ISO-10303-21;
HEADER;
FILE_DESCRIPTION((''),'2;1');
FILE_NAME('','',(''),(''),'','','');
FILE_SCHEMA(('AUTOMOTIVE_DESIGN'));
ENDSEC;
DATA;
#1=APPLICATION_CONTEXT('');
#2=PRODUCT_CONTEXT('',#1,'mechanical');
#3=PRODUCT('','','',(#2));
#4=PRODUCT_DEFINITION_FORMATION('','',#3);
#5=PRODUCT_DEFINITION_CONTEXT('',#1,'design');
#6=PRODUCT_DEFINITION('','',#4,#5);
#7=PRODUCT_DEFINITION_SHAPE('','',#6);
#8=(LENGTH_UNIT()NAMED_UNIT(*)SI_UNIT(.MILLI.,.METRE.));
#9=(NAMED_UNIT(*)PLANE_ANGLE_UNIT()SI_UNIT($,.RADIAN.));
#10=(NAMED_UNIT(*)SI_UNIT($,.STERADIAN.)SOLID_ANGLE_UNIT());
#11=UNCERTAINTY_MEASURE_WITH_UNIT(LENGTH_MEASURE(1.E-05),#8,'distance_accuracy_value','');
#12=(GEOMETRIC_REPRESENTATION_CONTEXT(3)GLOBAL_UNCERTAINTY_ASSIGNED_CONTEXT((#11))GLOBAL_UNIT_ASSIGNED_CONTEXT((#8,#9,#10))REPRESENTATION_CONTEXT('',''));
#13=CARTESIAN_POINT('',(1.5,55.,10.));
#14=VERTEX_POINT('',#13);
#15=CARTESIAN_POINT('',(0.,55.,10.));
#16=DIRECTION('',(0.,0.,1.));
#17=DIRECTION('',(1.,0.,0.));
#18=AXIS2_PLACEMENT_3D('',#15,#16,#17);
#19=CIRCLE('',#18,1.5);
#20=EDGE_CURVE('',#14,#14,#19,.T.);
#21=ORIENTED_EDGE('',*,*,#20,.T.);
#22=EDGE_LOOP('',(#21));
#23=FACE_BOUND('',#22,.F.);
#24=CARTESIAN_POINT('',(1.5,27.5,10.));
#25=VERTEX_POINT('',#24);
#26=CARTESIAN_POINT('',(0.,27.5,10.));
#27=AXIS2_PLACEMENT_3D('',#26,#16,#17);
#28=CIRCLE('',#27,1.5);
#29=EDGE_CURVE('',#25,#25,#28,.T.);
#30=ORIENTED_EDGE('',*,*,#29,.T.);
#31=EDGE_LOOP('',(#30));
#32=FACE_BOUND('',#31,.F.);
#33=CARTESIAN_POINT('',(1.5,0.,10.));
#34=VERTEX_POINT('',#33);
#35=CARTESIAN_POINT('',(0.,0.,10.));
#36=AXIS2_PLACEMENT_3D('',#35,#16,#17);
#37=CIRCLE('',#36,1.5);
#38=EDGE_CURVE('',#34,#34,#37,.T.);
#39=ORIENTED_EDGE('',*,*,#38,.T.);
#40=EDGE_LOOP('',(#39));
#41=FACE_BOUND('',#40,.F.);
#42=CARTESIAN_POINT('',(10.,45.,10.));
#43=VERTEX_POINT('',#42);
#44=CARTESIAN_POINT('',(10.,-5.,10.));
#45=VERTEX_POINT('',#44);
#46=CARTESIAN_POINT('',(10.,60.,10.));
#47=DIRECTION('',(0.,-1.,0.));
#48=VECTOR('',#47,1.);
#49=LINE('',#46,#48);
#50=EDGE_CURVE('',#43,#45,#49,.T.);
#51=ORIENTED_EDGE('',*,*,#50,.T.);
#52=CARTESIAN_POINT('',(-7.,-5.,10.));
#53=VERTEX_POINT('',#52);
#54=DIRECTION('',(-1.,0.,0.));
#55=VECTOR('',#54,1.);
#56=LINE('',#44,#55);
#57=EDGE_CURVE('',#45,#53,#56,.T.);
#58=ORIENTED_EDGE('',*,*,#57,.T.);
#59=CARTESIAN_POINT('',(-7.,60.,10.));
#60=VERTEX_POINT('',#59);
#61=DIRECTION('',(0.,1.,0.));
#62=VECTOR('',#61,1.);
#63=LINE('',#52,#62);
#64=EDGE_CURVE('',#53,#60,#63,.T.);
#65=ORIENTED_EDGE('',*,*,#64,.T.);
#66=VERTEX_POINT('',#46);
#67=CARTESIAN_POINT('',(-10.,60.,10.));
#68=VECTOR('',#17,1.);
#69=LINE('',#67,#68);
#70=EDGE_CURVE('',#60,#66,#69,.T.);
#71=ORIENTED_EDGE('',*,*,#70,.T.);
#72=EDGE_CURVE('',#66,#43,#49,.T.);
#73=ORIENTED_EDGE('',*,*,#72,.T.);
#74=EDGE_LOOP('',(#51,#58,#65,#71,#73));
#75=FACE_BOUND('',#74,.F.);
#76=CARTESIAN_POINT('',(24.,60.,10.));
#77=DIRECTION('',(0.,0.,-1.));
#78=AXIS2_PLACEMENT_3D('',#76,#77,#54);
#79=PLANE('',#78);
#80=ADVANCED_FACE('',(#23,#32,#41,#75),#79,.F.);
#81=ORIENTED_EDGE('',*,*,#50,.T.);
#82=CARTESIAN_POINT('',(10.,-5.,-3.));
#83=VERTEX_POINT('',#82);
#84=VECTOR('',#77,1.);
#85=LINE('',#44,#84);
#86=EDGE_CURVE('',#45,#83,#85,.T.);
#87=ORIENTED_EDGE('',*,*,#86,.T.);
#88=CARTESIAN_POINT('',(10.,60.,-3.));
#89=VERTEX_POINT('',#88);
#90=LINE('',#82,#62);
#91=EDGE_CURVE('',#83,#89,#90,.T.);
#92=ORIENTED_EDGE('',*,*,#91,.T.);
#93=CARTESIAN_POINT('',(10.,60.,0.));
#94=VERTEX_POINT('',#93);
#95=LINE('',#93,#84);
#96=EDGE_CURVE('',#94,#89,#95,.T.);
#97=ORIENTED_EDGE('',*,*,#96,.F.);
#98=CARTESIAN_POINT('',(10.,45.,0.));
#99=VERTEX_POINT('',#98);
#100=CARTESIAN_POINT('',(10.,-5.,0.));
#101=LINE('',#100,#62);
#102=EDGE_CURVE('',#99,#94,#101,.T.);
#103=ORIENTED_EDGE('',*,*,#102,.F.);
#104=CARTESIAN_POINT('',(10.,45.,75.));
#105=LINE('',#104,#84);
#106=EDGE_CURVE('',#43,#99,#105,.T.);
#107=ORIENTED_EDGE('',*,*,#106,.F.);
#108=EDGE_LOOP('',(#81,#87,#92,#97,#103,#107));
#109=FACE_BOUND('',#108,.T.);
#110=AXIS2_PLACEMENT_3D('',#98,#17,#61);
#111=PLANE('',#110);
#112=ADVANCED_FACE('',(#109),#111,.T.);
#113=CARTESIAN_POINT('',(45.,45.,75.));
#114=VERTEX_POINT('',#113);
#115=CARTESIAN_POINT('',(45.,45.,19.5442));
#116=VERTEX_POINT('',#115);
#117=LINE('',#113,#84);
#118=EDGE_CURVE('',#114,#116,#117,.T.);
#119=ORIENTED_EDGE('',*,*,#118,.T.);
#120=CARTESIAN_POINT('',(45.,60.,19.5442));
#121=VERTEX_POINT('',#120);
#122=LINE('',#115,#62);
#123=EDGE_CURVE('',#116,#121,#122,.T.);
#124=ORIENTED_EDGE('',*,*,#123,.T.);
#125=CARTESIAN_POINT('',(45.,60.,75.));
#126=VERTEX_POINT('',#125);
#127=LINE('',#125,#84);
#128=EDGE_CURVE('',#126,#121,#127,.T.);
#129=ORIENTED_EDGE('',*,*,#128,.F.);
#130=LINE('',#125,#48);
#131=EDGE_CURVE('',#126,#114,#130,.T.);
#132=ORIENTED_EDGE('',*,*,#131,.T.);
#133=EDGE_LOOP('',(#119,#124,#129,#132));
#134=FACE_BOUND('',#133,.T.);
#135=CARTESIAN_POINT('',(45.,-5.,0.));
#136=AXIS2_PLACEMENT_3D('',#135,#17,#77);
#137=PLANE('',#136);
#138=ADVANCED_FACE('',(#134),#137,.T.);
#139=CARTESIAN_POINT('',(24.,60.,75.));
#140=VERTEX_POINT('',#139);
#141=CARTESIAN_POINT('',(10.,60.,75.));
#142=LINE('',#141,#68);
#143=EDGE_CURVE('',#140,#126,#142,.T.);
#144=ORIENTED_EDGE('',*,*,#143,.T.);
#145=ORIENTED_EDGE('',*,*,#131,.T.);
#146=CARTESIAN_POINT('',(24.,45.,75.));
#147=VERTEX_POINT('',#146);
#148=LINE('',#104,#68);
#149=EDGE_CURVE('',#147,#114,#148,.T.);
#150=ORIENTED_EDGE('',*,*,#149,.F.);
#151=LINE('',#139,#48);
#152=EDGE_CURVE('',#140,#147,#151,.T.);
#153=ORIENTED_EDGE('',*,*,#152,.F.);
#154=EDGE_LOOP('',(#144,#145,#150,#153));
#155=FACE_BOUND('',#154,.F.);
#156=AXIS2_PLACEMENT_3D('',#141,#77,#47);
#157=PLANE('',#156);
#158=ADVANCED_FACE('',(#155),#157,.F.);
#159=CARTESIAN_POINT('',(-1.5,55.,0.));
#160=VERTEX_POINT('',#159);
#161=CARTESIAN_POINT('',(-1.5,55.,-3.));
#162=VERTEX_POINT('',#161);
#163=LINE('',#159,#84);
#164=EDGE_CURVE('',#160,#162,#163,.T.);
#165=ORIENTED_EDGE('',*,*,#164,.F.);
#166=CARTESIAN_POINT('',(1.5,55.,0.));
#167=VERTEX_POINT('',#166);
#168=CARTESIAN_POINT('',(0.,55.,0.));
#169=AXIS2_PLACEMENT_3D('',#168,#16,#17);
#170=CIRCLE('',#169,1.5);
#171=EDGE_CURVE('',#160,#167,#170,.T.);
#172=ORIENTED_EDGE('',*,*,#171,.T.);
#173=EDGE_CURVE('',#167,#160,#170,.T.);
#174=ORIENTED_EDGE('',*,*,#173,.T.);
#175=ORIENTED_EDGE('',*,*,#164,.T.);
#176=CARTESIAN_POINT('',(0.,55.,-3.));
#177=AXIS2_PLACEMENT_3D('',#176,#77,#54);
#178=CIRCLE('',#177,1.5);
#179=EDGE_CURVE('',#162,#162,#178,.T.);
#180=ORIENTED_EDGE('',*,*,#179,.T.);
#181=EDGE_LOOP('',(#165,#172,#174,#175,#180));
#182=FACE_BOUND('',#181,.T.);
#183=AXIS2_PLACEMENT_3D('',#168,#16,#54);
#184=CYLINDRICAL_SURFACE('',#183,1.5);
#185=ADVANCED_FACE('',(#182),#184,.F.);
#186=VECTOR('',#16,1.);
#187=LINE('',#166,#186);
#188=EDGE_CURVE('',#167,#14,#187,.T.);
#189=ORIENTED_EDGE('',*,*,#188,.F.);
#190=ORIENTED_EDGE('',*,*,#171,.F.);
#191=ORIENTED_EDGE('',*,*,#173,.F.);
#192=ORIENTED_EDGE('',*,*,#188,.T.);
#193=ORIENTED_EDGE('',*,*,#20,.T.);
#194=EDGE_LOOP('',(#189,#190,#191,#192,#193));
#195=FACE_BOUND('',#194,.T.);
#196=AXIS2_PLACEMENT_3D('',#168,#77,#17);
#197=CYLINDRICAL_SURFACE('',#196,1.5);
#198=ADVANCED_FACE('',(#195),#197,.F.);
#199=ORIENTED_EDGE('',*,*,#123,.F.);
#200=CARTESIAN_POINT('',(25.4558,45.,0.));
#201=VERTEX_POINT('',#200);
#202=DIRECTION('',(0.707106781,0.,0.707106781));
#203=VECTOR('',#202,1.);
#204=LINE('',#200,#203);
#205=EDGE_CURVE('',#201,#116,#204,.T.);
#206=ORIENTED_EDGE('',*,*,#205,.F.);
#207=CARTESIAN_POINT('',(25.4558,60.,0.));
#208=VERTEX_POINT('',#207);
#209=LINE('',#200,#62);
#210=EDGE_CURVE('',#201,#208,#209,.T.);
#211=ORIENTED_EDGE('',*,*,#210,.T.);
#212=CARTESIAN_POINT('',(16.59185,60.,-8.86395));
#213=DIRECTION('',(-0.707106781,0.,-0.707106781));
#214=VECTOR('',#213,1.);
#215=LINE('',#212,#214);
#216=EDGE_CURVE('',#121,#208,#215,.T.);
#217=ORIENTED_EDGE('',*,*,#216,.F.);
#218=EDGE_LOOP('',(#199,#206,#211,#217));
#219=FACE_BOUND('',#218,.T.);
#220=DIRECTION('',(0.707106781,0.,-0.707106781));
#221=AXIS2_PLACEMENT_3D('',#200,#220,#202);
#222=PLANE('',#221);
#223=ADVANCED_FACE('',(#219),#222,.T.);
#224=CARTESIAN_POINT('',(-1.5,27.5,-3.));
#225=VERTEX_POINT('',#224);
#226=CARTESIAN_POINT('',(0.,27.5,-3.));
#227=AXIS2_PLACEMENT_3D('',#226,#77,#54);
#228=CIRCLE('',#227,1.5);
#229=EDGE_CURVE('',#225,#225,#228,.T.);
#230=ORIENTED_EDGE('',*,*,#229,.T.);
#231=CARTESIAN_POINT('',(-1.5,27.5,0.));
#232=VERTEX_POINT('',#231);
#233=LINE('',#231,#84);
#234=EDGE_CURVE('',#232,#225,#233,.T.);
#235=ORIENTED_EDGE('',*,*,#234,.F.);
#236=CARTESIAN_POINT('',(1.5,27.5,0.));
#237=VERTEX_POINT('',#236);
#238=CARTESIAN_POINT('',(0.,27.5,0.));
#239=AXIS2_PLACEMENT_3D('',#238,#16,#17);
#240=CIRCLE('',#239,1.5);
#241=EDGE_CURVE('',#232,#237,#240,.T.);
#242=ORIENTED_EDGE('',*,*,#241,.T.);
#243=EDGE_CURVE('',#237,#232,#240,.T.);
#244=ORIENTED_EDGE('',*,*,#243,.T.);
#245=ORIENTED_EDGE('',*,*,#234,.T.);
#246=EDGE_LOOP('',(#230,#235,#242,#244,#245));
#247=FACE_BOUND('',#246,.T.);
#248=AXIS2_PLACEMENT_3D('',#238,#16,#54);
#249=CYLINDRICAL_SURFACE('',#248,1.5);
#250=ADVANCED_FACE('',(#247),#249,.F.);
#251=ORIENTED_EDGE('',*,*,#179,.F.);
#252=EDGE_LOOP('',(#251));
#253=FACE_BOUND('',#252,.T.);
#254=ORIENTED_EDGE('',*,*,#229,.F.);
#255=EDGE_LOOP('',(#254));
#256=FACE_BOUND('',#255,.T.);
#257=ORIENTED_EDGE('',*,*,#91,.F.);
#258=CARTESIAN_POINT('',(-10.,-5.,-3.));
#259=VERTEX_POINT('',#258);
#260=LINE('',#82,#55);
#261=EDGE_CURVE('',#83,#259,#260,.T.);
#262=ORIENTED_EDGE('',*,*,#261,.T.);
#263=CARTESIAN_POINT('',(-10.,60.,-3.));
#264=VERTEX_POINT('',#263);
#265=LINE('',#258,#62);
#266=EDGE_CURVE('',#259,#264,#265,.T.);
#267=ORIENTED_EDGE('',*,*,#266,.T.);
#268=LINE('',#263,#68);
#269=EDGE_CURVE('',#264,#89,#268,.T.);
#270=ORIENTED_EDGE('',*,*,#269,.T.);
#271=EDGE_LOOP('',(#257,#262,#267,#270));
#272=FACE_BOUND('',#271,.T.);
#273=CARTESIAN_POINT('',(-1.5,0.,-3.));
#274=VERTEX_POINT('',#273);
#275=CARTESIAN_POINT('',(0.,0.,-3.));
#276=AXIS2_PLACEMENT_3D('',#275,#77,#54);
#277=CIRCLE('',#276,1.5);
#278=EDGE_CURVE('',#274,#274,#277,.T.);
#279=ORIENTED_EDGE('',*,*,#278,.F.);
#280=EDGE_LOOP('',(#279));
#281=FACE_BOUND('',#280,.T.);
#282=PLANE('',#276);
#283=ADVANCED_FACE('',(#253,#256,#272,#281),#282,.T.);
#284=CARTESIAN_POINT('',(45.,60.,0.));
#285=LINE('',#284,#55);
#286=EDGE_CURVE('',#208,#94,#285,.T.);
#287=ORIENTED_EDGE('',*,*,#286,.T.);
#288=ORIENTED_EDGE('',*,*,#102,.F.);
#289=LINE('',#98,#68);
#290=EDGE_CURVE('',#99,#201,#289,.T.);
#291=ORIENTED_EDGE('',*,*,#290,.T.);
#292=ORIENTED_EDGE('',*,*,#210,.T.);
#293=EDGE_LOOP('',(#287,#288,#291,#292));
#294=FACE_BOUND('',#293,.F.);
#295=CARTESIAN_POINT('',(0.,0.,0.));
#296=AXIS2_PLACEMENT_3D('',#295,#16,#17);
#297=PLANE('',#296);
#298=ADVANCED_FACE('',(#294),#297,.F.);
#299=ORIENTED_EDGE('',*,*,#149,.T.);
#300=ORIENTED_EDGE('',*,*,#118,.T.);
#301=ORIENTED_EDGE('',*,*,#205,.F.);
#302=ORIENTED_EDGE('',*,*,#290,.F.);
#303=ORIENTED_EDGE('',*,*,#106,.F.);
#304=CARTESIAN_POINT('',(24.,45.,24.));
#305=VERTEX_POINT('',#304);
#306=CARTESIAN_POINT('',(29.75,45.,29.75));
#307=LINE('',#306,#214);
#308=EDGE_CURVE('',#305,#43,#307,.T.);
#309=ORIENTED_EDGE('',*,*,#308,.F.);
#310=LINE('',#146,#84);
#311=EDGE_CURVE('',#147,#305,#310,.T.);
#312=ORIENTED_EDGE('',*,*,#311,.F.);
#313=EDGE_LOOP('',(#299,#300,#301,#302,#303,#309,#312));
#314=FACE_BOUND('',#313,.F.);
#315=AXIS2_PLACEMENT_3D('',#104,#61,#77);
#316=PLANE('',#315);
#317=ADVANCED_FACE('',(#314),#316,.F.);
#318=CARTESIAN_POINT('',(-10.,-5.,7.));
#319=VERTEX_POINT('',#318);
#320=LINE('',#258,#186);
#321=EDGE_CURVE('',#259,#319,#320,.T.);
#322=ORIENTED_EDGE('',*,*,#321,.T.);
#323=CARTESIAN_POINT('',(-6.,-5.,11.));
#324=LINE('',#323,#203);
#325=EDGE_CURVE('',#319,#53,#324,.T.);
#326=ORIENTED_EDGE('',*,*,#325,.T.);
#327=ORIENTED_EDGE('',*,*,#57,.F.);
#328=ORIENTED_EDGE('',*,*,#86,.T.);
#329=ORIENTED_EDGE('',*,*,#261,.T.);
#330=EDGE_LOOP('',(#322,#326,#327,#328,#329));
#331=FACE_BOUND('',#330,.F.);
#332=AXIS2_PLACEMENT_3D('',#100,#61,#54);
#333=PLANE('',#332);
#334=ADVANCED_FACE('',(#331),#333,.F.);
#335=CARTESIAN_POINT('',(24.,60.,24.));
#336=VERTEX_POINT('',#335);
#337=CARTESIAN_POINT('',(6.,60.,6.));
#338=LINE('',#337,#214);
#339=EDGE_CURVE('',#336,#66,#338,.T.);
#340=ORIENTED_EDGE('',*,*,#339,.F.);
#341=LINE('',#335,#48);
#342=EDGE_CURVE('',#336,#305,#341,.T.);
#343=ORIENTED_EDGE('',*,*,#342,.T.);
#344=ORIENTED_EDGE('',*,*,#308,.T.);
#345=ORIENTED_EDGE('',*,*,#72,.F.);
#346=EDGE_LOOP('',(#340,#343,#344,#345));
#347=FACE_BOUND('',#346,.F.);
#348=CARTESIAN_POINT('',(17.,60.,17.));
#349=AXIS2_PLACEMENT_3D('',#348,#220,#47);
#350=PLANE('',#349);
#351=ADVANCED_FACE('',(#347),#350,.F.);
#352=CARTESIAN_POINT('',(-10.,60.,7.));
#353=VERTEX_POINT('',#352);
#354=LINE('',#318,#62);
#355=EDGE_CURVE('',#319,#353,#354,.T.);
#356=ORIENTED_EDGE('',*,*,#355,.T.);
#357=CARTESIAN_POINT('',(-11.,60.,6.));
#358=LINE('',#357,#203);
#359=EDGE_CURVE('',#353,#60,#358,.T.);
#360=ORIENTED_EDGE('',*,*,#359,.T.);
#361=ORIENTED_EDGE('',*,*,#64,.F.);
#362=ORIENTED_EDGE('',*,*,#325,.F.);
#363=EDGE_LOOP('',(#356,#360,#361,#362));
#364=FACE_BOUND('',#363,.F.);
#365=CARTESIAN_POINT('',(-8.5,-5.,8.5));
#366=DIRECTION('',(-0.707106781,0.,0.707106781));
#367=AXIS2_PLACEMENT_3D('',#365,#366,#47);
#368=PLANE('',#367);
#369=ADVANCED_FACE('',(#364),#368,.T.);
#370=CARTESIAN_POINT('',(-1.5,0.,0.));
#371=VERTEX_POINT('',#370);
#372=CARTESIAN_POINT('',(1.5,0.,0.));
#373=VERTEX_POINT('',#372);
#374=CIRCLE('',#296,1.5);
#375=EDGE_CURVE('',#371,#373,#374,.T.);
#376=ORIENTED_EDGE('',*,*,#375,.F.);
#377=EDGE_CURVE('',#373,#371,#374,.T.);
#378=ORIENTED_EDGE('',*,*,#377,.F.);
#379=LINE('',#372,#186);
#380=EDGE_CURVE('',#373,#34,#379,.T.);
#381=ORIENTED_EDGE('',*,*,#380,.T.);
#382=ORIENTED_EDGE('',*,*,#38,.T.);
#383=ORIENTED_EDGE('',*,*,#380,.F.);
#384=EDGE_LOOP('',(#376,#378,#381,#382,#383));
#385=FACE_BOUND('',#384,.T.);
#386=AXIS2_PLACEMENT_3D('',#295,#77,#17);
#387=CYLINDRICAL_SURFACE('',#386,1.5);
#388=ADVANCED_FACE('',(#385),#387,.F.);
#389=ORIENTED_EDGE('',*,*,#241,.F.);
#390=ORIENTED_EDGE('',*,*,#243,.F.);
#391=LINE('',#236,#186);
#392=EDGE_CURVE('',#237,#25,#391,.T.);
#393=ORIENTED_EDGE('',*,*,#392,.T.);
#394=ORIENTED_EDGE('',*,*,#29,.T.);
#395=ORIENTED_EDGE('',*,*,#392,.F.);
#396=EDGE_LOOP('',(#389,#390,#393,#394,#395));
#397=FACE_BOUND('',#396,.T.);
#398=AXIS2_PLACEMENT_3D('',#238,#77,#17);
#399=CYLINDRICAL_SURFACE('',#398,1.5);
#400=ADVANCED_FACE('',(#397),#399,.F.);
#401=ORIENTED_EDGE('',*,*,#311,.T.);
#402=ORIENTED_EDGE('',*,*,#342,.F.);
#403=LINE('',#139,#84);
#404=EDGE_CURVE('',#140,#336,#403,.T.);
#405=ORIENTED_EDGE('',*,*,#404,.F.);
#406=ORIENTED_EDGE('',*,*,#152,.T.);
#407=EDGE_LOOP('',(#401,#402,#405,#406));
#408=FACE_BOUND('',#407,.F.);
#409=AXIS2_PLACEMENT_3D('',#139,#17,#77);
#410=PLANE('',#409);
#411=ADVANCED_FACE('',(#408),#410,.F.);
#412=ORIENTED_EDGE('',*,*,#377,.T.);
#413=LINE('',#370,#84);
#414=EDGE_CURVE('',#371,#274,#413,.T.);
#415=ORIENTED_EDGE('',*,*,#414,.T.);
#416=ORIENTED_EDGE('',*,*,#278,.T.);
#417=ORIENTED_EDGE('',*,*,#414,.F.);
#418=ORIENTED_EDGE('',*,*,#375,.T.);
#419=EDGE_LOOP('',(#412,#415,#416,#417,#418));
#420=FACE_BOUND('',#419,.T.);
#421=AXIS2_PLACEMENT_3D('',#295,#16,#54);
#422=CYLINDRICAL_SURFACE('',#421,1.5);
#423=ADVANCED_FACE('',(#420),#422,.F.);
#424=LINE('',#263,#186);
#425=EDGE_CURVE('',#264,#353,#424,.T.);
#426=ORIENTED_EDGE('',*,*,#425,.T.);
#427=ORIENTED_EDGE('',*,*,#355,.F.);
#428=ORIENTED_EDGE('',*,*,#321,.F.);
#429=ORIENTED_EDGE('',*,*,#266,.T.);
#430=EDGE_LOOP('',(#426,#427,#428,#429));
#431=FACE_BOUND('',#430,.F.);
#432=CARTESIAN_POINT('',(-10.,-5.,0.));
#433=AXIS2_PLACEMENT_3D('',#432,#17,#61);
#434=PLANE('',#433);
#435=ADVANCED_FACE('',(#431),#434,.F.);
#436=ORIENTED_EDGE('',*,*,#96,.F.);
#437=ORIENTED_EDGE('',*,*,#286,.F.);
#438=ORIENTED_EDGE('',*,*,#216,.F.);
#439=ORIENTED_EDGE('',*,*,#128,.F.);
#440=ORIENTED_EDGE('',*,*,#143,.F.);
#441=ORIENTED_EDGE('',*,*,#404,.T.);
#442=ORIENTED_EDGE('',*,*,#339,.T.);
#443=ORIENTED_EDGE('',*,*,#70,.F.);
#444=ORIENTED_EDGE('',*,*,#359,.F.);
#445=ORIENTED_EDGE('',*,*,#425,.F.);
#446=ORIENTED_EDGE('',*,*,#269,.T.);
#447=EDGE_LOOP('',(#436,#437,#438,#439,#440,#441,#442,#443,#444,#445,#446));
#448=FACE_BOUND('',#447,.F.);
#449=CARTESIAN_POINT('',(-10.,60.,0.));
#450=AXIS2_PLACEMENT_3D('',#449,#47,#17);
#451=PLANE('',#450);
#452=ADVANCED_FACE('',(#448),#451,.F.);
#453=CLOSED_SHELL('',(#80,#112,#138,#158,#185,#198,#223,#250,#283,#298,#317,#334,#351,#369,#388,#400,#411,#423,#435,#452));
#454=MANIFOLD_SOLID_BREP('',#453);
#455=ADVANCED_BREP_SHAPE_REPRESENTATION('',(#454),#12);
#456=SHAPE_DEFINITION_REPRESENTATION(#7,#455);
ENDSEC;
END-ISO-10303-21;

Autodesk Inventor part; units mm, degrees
ref_plane "YZ Plane" through (0, 0, 0) normal (1, 0, 0) x (0, 1, 0)
ref_plane "XZ Plane" through (0, 0, 0) normal (0, 1, 0) x (-1, 0, 0)
ref_plane "XY Plane" through (0, 0, 0) normal (0, 0, 1) x (1, 0, 0)
sketch "Sketch9" plane through (0, 0, 0) normal (0, 0, 1) x (1, 0, 0)
  line L0 (0, 0) -> (0, 55) construction
  circle A0 centre (0, 55) radius 1.5
  circle A1 centre (0, 0) radius 1.5
  circle A2 centre (0, 27.5) radius 1.5
  line L1 (-10, 60) -> (10, 60)
  line L2 (10, 60) -> (10, -5)
  line L3 (10, -5) -> (-10, -5)
  line L4 (-10, -5) -> (-10, 60)
  point P0 (-10, 27.5)
  point P1 (0, 60)
  dimension "d35" = 55
  dimension "d36" = 3
  dimension "d37" = 3
  dimension "d38" = 3
  dimension "d39" = 5
  dimension "d40" = 10
extrude "Extrusion9" add sketch "Sketch9" along normal blind 10
sketch "Sketch11" plane through (10, -5, 0) normal (1, 0, 0) x (0, 0, -1)
  line L0 (0, 65) -> (-10, 65) projected
  line L1 (0, 65) -> (-75, 65)
  line L2 (-75, 65) -> (-75, 50)
  line L3 (-75, 50) -> (0, 50)
  line L4 (0, 50) -> (0, 65)
  point P0 (0, 5)
  dimension "d43" = 15
  dimension "d44" = 75
extrude "Extrusion10" add sketch "Sketch11" along normal blind 35
sketch "Sketch12" plane through (-10, 60, 10) normal (0, 1, 0) x (1, 0, 0)
  line L0 (20, -65) -> (20, 0) projected
  line L1 (20, -65) -> (34, -65)
  line L2 (34, -65) -> (34, 0)
  line L3 (34, 0) -> (20, 0)
  line L4 (20, 0) -> (20, -65)
  point P0 (10, 10)
  dimension "d47" = 14
extrude "Extrusion11" cut sketch "Sketch12" against normal through all
chamfer "Chamfer6" distance 14 angle 45 1 edges at (24, 52.5, 10)
sketch "Sketch14" plane through (10, 45, 0) normal (0, -1, 0) x (1, 0, 0)
  line L0 (0, 10) -> (14, 24) projected
  line L1 (15.4558, 0) -> (35, 19.5442)
  line L2 (35, 75) -> (35, 0) projected
  line L3 (0, 0) -> (35, 0) projected
  line L4 (15.4558, 0) -> (35, 0)
  line L5 (35, 19.5442) -> (35, 0)
  point P0 (-10, 0)
  dimension "d73" = 18
extrude "Extrusion13" cut sketch "Sketch14" against normal through all
sketch "Sketch15" plane through (0, 0, 0) normal (0, 0, -1) x (-1, 0, 0)
  line L0 (-25.4558, 60) -> (-25.4558, 45) projected
  line L1 (-10, 45) -> (-25.4558, 45) projected
  line L2 (-10, 45) -> (-10, -5) projected
  line L3 (-10, -5) -> (10, -5) projected
  line L4 (10, -5) -> (10, 60) projected
  line L5 (10, 60) -> (-25.4558, 60) projected
  circle A0 centre (0, 55) radius 1.5 projected
  circle A1 centre (0, 0) radius 1.5 projected
  circle A2 centre (0, 27.5) radius 1.5 projected
  line L6 (-10, -5) -> (10, -5) projected
  line L7 (10, 60) -> (-10, 60) projected
  line L8 (-10, -5) -> (-10, 60)
  line L9 (-10, 60) -> (10, 60)
extrude "Extrusion14" add sketch "Sketch15" along normal blind 3 contours L5 L4 L3 L2 L8
chamfer "Chamfer8" distance 3 angle 45 1 edges at (-10, 27.5, 10)
equation "\"Module\" = 2"
equation "\"PressureAngle\" = 20deg"
equation "\"UnitProfileClearance\" = 0.25"
equation "\"UnitRoundRadius\" = 0.35"
equation "\"HeadDiameter\" = 42"
equation "\"RootDiameter\" = 33"
equation "\"BaseDiameter\" = 35.70832"
equation "\"PitchDiameter\" = 38"
equation "\"HelixAngle\" = 0"
equation "\"UnitCorrection\" = 0"
equation "\"UnitAddendumModification\" = 0"
equation "\"CircularPitch\" = 6.283185"
equation "\"UnitBacklashShift\" = 0"
equation "\"TotalToolShift\" = 0"
equation "\"IsInternal\" = 0"
properties part number "GA04" material "ABS Plastic"
